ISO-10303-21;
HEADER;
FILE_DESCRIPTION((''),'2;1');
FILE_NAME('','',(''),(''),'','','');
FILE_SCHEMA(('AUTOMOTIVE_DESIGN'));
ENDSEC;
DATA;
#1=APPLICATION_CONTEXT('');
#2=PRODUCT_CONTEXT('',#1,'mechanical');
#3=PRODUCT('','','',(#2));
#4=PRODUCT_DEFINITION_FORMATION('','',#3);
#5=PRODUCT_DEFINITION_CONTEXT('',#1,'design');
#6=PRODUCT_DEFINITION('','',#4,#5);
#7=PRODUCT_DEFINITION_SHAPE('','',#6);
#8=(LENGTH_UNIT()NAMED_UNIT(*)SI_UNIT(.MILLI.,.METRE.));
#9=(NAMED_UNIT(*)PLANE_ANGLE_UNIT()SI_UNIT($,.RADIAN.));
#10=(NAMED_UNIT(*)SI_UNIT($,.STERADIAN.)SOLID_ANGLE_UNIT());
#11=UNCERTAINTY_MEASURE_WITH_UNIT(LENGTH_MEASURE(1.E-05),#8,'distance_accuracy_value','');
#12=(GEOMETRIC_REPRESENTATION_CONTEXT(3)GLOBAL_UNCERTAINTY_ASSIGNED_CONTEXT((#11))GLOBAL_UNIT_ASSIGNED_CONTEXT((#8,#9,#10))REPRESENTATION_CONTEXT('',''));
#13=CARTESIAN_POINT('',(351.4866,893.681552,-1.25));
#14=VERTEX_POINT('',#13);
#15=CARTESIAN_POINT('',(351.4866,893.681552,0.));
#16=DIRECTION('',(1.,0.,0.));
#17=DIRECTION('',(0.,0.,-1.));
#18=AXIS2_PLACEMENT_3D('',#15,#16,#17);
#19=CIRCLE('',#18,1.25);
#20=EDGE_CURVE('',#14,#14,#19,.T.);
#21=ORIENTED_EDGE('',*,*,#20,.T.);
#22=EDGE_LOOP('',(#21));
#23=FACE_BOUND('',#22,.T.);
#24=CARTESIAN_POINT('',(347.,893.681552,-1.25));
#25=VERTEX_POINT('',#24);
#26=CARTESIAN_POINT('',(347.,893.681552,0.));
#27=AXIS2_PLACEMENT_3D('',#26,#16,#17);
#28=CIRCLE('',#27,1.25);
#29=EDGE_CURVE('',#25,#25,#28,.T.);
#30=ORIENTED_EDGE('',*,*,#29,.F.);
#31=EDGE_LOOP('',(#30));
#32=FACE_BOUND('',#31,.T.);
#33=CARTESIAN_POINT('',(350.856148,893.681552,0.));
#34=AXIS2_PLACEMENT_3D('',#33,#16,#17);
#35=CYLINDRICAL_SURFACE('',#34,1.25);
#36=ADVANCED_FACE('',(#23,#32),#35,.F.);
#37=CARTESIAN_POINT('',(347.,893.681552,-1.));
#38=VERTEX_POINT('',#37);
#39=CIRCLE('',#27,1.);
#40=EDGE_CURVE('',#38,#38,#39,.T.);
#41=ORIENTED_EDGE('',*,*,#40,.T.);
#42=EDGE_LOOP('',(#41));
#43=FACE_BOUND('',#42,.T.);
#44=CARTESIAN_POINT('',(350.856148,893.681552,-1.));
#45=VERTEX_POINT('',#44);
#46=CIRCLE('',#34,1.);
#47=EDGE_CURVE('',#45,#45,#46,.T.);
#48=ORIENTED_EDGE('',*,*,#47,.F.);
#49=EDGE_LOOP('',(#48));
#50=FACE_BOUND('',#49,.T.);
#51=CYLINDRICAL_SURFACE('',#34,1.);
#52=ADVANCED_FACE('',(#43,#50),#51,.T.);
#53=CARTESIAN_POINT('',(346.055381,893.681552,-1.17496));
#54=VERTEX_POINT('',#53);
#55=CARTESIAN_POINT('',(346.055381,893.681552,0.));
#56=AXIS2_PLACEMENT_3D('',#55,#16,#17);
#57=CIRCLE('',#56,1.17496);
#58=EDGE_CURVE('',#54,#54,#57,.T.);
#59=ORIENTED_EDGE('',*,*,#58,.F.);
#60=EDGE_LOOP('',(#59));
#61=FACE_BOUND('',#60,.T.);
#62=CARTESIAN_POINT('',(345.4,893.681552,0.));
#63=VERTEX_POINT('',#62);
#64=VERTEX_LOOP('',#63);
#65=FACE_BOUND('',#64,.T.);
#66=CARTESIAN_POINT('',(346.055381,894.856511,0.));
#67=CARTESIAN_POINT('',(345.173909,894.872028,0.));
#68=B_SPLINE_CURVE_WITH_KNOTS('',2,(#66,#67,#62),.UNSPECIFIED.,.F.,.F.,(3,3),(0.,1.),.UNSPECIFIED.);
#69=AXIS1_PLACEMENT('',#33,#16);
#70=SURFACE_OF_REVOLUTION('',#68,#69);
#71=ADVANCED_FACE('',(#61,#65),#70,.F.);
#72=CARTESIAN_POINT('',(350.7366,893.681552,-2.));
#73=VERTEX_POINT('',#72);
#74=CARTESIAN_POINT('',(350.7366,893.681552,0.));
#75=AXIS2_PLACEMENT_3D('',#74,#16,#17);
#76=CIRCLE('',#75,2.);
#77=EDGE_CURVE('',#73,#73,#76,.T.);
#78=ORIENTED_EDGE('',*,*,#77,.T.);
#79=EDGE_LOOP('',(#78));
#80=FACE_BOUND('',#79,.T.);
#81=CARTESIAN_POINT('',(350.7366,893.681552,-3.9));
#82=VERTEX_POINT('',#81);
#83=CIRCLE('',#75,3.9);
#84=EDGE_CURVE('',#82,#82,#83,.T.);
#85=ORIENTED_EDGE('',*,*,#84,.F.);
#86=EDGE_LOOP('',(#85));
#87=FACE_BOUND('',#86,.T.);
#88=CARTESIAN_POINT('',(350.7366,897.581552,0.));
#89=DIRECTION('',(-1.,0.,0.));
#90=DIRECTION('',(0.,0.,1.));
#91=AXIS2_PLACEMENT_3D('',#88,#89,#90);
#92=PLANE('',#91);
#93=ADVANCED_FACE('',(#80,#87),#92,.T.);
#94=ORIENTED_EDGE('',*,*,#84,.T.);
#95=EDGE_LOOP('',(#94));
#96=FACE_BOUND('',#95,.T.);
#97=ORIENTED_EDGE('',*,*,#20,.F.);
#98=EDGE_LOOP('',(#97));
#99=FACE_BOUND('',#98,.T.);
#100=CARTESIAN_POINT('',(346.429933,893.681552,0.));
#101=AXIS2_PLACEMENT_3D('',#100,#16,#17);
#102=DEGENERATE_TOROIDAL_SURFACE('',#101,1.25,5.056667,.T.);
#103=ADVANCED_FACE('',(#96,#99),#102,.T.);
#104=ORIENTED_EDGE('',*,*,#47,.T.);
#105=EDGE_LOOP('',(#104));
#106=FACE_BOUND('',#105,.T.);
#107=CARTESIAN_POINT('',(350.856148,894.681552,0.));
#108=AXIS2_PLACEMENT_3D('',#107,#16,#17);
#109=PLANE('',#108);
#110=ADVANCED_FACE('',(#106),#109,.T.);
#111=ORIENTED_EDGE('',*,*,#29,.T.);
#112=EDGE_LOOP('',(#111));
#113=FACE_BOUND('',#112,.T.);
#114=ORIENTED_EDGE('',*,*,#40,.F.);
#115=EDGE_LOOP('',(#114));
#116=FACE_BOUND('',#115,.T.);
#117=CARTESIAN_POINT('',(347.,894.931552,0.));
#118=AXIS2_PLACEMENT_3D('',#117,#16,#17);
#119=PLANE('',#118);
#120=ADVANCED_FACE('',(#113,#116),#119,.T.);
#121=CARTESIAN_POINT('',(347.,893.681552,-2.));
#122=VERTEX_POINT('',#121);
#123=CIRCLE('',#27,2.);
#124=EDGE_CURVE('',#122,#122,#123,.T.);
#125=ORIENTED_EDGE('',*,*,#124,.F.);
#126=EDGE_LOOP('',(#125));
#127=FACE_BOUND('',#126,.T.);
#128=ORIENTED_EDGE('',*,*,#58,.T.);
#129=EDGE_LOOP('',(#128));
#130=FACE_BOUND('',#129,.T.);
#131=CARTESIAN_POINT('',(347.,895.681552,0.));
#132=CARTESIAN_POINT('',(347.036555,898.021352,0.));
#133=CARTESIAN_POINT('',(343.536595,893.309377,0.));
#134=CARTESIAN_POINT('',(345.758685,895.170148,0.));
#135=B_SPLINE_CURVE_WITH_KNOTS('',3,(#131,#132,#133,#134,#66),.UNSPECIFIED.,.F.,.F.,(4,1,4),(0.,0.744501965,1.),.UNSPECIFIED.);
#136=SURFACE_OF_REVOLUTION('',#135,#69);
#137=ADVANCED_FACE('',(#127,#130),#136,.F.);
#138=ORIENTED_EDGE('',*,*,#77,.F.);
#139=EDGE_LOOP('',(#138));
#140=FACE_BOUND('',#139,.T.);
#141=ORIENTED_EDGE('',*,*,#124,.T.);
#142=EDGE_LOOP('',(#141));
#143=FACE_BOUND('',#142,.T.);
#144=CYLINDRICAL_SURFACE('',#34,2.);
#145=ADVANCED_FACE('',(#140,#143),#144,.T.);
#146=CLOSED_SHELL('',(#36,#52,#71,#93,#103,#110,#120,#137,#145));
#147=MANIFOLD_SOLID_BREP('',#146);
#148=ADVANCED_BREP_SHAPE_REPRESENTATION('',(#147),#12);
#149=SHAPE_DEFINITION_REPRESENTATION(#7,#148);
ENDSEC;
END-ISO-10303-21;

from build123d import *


with BuildPart() as part:
    # Szkic1 → Obrót1 (revolve)
    with BuildSketch(Plane.XY, mode=Mode.PRIVATE) as obr_t1_sk:
        with BuildLine():
            Line((350.856147885, 893.681551629), (345.4, 893.681551629))
            add(Edge.make_bspline(
                [(346.055380649, 894.856511413), (345.173909168, 894.872028365), (345.4, 893.681551629)],
                knots=[0, 0, 0, 1, 1, 1], degree=2))
            add(Edge.make_bspline(
                [(347.000000014, 895.681551629), (347.036555424, 898.021351685), (343.536594652, 893.309377005), (345.758684651, 895.170148194), (346.055380649, 894.856511413)],
                knots=[0, 0, 0, 0, 0.744501965, 1, 1, 1, 1], degree=3))
            Line((347.000000014, 895.681551629), (350.7366, 895.681551629))
            Line((350.7366, 895.681551629), (350.7366, 897.581551629))
            ThreePointArc((350.7366, 897.581551629), (351.295488572, 896.308595565), (351.4866, 894.931551629))
            Line((351.4866, 894.931551629), (347, 894.931551629))
            Line((347, 894.931551629), (347, 894.681551629))
            Line((347, 894.681551629), (350.856147885, 894.681551629))
            Line((350.856147885, 894.681551629), (350.856147885, 893.681551629))
        make_face()
    revolve(obr_t1_sk.sketch.rotate(Axis((350.856147885, 893.681551629, 0), (-1, 0, 0)), 90), axis=Axis((350.856147885, 893.681551629, 0), (-1, 0, 0)))


solid = part.part
